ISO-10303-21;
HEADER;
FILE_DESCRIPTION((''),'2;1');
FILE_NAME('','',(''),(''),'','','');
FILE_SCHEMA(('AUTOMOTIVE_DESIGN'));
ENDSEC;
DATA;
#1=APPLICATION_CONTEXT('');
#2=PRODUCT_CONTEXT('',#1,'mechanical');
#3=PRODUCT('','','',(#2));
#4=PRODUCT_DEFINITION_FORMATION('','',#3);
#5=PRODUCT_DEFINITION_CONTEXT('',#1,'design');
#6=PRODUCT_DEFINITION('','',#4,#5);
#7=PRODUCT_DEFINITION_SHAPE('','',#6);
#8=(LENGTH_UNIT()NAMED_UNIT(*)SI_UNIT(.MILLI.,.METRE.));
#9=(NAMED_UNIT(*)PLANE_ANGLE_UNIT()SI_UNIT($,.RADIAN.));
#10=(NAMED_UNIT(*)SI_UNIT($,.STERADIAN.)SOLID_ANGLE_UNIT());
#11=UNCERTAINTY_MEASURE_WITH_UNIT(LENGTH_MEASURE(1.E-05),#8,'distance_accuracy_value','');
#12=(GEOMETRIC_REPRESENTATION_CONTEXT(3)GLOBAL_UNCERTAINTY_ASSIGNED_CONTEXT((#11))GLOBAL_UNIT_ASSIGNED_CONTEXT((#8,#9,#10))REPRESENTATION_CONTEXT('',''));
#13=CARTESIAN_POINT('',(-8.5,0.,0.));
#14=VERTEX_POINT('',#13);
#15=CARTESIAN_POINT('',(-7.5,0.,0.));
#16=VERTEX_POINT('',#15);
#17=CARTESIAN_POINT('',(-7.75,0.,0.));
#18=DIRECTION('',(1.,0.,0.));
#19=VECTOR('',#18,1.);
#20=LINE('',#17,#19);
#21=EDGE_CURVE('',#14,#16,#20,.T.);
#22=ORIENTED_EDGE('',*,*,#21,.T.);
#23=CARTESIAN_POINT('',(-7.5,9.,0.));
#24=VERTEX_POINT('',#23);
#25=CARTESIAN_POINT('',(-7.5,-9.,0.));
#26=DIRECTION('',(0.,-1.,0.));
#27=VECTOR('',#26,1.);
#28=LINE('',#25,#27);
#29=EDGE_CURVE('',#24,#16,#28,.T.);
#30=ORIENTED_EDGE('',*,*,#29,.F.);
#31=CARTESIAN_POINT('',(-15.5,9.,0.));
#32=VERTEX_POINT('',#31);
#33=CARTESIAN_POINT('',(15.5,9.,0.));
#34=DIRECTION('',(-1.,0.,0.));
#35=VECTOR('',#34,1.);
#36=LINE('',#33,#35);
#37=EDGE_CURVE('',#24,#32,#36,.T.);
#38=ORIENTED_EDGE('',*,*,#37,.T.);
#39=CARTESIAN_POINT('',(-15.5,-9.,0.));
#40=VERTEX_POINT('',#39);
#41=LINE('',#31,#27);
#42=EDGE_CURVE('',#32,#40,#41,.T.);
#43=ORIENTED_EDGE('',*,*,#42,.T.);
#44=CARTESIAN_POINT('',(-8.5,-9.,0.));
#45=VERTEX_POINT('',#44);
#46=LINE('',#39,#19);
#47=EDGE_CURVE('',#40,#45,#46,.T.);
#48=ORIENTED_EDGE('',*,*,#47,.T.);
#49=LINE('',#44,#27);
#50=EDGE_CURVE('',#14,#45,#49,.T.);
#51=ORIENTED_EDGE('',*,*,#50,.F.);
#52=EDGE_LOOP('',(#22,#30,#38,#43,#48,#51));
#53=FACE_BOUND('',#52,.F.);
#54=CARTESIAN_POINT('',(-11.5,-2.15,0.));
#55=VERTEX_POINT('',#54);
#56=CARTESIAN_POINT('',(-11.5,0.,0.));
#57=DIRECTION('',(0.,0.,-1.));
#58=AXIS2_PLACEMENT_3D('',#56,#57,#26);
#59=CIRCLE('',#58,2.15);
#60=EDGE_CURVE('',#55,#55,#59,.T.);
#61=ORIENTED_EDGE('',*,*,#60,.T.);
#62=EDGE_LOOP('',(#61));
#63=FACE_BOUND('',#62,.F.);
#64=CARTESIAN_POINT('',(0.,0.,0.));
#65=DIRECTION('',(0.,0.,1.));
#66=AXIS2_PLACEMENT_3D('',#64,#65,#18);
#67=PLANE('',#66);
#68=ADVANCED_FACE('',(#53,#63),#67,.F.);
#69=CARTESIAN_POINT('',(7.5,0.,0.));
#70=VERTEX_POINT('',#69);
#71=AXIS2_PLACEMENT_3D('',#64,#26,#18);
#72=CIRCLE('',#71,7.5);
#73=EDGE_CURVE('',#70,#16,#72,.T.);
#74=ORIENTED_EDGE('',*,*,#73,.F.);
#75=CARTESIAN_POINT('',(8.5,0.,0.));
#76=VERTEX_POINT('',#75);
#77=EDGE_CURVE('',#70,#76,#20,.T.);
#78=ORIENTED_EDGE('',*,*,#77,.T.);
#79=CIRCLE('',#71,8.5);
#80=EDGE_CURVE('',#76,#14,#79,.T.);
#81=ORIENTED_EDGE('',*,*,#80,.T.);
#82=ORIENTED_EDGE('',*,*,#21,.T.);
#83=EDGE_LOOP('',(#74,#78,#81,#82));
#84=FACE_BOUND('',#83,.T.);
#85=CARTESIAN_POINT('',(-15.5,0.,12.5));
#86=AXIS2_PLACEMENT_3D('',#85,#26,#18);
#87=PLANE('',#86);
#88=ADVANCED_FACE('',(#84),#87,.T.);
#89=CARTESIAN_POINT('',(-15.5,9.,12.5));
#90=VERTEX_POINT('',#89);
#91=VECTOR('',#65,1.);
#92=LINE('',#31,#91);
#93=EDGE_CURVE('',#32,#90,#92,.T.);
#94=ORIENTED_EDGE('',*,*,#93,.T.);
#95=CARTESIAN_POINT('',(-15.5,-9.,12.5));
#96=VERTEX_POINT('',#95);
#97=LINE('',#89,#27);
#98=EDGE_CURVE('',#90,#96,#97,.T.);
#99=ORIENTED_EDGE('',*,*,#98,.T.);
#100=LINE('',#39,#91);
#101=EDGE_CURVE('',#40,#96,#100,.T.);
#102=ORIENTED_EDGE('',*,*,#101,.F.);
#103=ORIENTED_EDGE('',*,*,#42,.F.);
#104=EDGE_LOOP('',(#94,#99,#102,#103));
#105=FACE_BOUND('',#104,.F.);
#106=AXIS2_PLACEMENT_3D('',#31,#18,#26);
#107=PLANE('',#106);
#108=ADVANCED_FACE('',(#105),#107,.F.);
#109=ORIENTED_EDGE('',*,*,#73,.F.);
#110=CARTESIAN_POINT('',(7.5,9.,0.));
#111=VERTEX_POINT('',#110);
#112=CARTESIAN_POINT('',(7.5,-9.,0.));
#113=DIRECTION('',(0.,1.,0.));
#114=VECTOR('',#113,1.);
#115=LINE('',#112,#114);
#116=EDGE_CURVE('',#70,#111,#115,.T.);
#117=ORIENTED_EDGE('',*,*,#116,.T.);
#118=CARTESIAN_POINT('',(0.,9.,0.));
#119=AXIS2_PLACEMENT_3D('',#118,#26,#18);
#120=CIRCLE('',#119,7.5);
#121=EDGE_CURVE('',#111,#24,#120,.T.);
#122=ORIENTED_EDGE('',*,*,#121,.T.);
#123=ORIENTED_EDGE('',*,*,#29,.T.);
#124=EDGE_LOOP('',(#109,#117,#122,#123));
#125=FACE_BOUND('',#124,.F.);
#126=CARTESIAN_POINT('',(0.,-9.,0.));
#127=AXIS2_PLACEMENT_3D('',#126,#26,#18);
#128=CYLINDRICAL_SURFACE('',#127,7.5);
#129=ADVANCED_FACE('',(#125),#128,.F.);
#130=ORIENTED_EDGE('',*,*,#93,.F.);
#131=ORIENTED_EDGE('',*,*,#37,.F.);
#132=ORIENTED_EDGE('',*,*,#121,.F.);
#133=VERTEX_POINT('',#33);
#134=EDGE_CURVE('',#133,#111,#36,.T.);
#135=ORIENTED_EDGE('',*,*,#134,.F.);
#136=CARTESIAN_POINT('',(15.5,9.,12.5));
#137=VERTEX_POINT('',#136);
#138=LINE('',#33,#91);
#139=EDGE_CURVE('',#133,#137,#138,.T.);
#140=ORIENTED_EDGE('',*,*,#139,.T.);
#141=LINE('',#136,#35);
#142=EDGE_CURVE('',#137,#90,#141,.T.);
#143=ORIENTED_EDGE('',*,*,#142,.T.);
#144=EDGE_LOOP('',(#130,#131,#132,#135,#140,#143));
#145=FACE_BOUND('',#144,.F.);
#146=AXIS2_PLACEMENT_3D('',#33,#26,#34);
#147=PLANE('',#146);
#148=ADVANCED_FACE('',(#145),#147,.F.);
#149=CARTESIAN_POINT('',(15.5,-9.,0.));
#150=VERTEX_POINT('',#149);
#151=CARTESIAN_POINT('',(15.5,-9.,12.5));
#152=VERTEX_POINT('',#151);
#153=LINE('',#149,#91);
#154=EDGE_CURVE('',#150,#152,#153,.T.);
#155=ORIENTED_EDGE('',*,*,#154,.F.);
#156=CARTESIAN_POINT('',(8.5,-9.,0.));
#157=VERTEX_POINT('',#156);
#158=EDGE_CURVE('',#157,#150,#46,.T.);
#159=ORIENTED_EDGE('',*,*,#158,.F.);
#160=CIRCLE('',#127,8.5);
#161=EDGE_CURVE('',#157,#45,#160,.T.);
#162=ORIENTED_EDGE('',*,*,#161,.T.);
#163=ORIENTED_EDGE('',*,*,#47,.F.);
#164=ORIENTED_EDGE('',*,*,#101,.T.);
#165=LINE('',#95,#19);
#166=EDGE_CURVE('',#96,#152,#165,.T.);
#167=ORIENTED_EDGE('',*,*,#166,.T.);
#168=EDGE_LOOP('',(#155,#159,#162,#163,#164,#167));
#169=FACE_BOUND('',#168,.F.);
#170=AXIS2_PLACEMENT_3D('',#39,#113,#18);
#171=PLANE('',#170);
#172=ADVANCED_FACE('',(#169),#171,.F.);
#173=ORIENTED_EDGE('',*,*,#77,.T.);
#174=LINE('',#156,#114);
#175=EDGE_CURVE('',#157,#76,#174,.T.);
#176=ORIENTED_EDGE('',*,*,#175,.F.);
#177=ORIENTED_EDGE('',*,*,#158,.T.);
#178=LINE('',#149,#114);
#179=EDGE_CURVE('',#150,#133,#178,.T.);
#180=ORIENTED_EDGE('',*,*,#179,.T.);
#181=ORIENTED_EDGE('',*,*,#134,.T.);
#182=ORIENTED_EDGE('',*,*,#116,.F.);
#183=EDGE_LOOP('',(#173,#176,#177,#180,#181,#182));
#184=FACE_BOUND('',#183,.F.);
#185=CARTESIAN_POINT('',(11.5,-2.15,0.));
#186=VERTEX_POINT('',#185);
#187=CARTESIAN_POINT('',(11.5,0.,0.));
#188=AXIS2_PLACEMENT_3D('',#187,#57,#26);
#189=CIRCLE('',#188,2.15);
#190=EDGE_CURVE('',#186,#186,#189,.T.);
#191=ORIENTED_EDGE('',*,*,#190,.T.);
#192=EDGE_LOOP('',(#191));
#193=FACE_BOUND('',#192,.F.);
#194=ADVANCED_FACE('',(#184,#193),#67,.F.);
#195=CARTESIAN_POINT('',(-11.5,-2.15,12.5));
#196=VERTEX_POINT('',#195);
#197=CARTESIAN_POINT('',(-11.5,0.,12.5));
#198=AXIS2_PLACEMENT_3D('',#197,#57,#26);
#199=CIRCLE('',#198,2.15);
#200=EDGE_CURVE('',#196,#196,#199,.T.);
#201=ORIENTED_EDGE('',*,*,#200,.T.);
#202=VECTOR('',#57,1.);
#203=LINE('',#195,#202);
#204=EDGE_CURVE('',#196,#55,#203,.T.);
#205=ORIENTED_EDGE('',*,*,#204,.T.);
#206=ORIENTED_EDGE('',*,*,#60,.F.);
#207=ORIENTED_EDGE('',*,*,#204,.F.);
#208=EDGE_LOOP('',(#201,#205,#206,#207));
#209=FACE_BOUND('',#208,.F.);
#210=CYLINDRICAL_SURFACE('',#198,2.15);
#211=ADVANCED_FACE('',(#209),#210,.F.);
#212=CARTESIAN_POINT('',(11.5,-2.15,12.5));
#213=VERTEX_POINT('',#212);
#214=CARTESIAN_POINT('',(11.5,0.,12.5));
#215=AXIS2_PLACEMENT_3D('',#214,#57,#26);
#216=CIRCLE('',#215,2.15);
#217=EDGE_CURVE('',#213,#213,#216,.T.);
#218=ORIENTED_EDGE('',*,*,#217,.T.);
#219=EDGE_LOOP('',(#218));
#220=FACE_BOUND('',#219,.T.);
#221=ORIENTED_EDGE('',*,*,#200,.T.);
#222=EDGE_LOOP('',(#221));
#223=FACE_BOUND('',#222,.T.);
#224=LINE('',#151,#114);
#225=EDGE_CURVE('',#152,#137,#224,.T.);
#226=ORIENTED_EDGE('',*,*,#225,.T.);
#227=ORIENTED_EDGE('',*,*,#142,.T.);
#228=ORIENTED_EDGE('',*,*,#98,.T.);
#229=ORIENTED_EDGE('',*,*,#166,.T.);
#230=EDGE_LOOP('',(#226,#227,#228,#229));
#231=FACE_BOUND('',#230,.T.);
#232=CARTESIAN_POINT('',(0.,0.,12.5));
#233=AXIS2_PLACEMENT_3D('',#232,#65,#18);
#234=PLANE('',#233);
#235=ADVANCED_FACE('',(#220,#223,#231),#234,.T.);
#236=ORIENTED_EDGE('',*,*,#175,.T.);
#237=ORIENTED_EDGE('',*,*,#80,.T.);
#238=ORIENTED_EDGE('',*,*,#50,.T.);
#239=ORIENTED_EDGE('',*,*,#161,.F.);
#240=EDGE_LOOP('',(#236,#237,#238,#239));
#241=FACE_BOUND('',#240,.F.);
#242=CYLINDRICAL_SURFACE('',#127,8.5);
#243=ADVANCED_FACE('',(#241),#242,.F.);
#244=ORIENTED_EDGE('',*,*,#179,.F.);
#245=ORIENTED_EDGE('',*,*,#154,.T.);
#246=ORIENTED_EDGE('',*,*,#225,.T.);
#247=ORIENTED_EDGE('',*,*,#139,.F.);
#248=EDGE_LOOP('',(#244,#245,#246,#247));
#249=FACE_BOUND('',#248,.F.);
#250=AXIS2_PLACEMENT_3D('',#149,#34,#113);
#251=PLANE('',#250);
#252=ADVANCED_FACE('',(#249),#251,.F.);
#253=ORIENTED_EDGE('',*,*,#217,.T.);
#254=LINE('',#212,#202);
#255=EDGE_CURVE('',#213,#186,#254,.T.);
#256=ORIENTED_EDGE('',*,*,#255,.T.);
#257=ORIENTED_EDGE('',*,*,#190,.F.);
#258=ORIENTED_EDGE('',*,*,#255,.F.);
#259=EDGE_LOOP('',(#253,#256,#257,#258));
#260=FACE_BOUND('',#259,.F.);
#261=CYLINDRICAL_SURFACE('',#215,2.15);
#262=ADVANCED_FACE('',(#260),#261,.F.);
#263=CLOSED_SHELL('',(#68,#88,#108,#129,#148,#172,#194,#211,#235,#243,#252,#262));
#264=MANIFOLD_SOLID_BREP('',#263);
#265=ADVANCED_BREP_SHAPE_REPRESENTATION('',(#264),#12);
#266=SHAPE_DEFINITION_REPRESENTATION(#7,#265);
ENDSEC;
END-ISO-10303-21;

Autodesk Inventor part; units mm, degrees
ref_plane "YZ Plane" through (0, 0, 0) normal (1, 0, 0) x (0, 1, 0)
ref_plane "XZ Plane" through (0, 0, 0) normal (0, 1, 0) x (-1, 0, 0)
ref_plane "XY Plane" through (0, 0, 0) normal (0, 0, 1) x (1, 0, 0)
sketch "Sketch1" plane through (0, 0, 0) normal (0, 0, 1) x (1, 0, 0)
  line L0 (-15.5, -9) -> (15.5, -9)
  line L1 (15.5, -9) -> (15.5, 9)
  line L2 (15.5, 9) -> (-15.5, 9)
  line L3 (-15.5, 9) -> (-15.5, -9)
  line L4 (-15.5, -9) -> (15.5, 9) construction
  line L5 (15.5, -9) -> (-15.5, 9) construction
  point P0 (0, 0)
  dimension "d0" = 31
  dimension "d1" = 18
extrude "Extrusion1" add sketch "Sketch1" along normal blind 12.5
sketch "Sketch8" plane through (-15.5, -9, 0) normal (0, -1, 0) x (1, 0, 0)
  circle A0 centre (15.5, 0) radius 7.5
  dimension "d57" = 15
extrude "Extrusion8" cut sketch "Sketch8" against normal through all
sketch "Sketch9" plane through (0, 0, 12.5) normal (0, 0, 1) x (1, 0, 0)
  line L0 (-15.5, -9) -> (15.5, -9) projected
  point P0 (0, 0)
  point P1 (-11.5, 0)
  point P2 (11.5, 0)
  dimension "d68" = 11.5
  dimension "d69" = 11.5
  dimension "d70" = 9
  dimension "d71" = 9
hole "Hole1" at (-11.5, 0, 12.5) at (11.5, 0, 12.5) direction (0, 0, -1) diameter 4.3 end through all clearance for "Flat Head Machine Screw" size "M4" standard "Ansi Metric M Profile"
sketch "Sketch10" plane through (-15.5, -9, 12.5) normal (0, -1, 0) x (1, 0, 0)
  arc A0 (23, -12.5) -> (8, -12.5) centre (15.5, -12.5) ccw projected
  circle A1 centre (15.5, -12.5) radius 8.5
  dimension "d79" = 17
extrude "Extrusion10" cut sketch "Sketch10" against normal blind 9
equation "\"d69\" = d68"
equation "\"d71\" = d70"
properties part number "Colimador superior"
